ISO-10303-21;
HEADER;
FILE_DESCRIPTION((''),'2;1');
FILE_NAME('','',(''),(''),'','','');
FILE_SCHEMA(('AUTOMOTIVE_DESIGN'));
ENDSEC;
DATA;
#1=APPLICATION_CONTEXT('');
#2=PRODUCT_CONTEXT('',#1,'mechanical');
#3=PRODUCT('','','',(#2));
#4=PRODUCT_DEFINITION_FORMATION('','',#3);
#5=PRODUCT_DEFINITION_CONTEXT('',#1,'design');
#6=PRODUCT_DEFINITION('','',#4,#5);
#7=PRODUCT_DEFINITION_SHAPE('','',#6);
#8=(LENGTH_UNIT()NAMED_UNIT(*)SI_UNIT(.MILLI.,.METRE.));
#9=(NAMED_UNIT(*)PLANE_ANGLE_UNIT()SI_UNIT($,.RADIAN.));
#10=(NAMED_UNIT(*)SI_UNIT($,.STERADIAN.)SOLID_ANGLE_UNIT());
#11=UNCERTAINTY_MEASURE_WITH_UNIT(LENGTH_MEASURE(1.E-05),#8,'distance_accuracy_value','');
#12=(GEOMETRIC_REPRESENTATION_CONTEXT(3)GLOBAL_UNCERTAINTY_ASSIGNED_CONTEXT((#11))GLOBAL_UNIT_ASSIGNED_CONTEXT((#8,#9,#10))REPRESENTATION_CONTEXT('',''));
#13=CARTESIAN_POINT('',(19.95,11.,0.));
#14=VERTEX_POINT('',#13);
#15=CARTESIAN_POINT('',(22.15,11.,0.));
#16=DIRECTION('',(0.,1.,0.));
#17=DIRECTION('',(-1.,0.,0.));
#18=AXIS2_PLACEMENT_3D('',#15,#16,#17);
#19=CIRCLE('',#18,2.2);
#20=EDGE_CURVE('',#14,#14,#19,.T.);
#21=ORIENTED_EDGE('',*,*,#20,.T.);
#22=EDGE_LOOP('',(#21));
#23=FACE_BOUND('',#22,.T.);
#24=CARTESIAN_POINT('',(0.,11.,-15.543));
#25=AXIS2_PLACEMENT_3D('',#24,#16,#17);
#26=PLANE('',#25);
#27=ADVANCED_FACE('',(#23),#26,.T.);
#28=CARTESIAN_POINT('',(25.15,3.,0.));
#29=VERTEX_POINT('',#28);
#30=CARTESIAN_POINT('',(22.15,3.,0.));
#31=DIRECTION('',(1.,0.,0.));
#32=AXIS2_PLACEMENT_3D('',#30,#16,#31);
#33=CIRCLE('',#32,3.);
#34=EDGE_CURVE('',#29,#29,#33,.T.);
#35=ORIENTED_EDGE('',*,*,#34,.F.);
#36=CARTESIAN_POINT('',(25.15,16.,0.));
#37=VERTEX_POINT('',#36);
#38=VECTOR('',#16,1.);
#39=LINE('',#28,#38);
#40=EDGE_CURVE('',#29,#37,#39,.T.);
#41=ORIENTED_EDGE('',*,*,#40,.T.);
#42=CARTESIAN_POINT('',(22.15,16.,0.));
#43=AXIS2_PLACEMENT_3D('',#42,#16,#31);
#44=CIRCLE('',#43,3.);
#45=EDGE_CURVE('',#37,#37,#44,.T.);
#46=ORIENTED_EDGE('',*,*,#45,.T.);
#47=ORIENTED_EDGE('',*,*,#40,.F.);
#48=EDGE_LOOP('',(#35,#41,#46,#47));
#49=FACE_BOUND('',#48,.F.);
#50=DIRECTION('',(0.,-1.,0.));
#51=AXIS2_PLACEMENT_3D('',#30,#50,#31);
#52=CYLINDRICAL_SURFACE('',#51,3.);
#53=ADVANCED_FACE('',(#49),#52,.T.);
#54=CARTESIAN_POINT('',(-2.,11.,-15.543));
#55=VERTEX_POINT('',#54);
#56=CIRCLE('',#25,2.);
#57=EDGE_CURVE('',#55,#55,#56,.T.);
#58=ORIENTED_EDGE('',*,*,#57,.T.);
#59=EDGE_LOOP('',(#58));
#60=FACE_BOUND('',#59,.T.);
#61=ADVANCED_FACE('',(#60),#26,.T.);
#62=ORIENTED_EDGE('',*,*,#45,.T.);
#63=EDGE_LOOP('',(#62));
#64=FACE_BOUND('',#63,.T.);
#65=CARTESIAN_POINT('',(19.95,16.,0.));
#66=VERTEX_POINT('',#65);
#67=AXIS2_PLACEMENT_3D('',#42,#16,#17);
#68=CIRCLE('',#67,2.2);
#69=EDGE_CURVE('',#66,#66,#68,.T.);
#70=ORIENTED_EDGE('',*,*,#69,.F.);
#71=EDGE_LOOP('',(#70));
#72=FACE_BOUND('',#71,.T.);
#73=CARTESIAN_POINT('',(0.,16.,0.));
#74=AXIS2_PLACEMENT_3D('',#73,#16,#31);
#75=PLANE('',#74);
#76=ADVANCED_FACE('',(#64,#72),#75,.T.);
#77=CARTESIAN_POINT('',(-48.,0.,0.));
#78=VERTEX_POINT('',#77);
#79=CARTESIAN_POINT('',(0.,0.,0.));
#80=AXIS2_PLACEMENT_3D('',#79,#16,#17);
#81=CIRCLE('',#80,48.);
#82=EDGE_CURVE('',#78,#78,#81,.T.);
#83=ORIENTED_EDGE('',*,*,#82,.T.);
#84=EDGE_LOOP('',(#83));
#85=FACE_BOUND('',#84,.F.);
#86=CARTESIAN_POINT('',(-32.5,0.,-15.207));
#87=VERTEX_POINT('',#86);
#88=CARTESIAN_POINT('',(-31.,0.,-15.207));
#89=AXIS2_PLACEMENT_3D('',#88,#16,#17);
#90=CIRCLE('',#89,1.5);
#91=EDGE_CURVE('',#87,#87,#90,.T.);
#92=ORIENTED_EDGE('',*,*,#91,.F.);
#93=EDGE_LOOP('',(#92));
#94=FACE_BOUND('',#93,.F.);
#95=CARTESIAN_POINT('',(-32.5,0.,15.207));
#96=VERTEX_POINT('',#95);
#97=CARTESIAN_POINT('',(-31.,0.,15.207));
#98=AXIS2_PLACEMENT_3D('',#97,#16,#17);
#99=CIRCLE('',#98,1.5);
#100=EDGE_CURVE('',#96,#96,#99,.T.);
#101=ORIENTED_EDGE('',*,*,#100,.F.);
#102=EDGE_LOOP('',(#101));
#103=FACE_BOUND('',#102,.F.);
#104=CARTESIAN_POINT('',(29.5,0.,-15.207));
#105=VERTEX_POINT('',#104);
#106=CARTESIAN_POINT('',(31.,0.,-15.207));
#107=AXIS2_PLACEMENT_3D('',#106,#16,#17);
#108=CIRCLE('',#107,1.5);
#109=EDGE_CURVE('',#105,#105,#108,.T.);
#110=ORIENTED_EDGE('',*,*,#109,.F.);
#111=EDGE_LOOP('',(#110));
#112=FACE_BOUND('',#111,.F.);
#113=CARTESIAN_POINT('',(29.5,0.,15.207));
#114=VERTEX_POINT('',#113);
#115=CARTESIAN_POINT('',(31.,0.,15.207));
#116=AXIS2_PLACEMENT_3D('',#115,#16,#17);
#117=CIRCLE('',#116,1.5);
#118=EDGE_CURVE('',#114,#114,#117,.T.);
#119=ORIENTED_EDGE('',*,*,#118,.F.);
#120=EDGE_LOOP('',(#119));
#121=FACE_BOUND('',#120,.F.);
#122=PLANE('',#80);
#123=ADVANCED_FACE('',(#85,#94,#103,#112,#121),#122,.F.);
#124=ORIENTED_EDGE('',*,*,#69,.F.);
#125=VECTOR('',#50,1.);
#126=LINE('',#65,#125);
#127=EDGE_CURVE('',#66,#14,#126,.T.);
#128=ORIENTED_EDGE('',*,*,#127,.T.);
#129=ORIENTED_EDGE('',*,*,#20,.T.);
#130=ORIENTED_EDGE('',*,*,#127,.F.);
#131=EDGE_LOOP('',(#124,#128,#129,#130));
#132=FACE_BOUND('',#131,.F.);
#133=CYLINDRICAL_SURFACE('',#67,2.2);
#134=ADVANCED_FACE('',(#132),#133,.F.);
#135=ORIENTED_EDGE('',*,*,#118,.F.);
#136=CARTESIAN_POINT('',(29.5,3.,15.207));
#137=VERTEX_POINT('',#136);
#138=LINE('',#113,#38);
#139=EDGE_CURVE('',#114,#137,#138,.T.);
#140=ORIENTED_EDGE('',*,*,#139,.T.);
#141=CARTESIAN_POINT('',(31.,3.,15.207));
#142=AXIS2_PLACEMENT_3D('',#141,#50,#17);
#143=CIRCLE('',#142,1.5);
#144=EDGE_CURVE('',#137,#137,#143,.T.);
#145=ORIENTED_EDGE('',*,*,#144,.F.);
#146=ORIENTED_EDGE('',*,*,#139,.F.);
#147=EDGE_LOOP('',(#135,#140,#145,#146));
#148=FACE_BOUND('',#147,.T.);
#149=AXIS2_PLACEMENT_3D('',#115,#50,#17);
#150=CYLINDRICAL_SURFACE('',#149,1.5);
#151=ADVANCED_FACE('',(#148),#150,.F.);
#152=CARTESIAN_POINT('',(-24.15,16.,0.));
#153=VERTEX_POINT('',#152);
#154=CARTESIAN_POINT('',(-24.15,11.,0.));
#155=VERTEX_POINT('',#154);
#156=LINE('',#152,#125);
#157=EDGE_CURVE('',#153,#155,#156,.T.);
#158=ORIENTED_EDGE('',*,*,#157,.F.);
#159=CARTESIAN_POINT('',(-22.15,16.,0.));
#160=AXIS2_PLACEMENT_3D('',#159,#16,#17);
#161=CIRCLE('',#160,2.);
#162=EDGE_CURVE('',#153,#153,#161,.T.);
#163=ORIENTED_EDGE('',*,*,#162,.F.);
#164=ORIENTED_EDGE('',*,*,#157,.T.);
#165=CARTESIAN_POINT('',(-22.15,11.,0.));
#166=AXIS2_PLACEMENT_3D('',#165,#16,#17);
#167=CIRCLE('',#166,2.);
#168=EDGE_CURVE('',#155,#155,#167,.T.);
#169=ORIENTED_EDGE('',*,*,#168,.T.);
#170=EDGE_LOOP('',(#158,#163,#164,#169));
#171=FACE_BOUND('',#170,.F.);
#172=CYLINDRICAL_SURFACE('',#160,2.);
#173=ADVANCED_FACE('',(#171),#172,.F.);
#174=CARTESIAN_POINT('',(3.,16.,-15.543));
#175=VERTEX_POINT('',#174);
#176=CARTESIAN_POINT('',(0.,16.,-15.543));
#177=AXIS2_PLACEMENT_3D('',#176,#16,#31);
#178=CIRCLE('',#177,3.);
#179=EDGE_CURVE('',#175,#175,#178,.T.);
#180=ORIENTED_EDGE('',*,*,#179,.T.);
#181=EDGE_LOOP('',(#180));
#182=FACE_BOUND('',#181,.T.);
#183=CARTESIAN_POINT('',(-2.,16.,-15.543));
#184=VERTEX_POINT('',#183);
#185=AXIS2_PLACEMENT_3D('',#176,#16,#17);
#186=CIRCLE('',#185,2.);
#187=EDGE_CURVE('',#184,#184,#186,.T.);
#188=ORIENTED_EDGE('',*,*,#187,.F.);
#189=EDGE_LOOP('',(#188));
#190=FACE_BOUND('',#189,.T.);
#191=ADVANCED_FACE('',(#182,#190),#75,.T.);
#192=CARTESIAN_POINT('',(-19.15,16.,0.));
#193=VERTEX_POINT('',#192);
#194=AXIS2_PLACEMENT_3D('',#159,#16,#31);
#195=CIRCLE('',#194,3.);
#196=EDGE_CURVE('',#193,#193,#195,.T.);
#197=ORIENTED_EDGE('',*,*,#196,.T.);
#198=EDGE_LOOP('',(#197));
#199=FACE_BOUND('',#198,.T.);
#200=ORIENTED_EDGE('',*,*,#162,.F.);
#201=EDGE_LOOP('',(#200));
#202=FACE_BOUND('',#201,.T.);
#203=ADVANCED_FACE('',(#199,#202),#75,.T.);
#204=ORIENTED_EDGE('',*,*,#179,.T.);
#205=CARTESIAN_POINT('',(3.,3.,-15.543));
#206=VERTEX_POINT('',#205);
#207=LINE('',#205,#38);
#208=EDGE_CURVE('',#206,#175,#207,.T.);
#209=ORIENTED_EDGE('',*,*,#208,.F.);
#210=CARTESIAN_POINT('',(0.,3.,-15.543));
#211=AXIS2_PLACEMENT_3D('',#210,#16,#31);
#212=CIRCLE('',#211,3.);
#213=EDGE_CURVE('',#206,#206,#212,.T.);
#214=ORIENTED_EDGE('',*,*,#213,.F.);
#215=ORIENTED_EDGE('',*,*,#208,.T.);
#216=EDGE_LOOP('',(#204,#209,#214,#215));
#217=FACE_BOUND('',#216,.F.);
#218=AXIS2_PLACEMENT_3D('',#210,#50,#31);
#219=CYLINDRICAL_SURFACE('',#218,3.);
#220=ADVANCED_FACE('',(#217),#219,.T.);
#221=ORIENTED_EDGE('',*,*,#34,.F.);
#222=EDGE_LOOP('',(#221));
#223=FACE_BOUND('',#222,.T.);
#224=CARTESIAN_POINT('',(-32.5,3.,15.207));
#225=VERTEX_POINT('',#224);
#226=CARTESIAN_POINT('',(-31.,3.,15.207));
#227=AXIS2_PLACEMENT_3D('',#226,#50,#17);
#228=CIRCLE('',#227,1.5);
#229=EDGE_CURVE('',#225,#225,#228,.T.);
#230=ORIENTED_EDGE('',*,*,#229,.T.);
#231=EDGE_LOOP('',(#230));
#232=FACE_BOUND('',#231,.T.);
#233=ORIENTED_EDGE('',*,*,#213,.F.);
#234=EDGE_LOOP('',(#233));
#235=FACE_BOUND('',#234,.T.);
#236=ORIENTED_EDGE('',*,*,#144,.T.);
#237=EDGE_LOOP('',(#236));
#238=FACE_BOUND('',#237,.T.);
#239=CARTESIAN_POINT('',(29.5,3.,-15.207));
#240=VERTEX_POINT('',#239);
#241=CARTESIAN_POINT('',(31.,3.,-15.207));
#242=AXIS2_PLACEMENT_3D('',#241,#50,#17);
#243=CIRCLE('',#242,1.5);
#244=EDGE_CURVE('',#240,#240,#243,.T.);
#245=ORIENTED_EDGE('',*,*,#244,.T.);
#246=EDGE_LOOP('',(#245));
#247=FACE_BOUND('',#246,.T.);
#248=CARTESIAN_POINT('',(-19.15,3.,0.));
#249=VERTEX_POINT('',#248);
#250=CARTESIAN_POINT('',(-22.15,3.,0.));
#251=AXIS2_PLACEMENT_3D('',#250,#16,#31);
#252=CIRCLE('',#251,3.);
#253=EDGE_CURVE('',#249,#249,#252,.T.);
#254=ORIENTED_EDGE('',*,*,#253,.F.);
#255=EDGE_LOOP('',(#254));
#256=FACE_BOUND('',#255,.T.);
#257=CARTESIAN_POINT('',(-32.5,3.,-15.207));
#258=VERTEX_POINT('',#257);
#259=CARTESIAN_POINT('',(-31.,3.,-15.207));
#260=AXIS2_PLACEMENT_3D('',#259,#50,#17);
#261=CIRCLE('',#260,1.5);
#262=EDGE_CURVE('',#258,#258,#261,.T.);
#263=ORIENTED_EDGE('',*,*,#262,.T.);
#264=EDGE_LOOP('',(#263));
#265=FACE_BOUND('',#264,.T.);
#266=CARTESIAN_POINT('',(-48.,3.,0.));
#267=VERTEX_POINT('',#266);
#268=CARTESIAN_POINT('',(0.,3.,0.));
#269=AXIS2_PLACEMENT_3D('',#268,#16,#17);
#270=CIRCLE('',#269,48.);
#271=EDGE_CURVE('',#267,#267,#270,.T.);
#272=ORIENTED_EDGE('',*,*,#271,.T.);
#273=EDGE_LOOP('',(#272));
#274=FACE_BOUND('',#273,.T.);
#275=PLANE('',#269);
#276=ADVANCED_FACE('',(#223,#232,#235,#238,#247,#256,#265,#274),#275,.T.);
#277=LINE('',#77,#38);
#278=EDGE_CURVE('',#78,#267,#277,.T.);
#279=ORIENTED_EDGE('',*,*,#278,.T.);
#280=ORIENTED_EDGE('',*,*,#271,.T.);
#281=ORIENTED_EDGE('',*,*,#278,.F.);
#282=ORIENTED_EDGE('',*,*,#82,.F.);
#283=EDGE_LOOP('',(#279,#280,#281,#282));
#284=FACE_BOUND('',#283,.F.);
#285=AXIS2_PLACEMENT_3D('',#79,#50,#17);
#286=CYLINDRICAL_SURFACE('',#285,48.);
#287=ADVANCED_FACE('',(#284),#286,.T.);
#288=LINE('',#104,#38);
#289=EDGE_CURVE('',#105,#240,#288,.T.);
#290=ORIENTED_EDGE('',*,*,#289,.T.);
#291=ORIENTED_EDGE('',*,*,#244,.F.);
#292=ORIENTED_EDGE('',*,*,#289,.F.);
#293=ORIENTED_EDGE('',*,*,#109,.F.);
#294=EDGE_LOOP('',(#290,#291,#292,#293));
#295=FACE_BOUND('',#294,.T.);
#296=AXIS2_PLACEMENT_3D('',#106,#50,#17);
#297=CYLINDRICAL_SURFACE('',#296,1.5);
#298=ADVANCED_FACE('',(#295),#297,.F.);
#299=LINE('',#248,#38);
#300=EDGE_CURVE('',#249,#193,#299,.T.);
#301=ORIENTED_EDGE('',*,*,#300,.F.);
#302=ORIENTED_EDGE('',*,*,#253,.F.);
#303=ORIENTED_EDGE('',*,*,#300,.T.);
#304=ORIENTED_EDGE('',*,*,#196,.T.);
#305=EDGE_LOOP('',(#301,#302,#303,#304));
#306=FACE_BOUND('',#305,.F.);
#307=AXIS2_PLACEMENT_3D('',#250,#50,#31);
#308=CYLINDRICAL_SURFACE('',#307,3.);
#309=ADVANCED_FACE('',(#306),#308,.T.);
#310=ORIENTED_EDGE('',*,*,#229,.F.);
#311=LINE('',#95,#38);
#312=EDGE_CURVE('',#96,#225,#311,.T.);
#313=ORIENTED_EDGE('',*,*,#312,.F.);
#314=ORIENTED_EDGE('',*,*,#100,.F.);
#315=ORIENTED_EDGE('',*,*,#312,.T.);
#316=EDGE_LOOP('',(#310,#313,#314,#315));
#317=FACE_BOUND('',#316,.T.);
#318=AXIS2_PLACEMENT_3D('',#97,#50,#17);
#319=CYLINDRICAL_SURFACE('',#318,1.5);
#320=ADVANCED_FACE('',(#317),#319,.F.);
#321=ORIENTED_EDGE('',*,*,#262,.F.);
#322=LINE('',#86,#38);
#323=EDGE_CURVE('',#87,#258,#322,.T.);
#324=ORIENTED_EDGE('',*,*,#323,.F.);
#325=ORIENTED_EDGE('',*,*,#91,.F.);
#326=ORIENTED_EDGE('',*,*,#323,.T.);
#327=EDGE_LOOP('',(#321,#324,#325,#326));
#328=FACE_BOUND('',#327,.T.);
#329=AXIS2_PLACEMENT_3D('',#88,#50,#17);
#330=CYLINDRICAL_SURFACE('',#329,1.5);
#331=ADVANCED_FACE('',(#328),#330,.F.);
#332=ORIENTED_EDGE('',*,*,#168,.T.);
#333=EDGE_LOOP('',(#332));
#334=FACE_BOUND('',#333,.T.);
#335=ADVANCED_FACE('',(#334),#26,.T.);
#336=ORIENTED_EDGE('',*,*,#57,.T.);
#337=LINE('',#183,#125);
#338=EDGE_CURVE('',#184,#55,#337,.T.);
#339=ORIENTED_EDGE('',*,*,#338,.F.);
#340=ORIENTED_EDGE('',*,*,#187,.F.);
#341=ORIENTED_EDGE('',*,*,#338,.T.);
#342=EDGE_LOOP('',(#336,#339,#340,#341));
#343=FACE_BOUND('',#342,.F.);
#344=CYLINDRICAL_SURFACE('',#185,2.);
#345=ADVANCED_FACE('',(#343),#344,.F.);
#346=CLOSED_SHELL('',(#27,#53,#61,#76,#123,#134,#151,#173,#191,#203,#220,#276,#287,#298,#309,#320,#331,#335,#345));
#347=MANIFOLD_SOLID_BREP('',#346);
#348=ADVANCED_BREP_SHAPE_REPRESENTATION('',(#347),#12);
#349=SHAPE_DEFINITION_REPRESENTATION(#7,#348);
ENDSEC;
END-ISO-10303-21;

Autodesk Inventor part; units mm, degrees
ref_plane "YZ Plane" through (0, 0, 0) normal (1, 0, 0) x (0, 1, 0)
ref_plane "XZ Plane" through (0, 0, 0) normal (0, 1, 0) x (-1, 0, 0)
ref_plane "XY Plane" through (0, 0, 0) normal (0, 0, 1) x (1, 0, 0)
sketch "Эскиз1" plane through (0, 0, 0) normal (0, 1, 0) x (-1, 0, 0)
  circle A0 centre (0, 0) radius 48
  line L0 (31, 15.207) -> (-31, 15.207)
  line L1 (-31, 15.207) -> (-31, -15.207)
  line L2 (-31, -15.207) -> (31, -15.207)
  line L3 (31, -15.207) -> (31, 15.207)
  circle A1 centre (31, 15.207) radius 1.5
  circle A2 centre (31, -15.207) radius 1.5
  circle A3 centre (-31, 15.207) radius 1.5
  circle A4 centre (-31, -15.207) radius 1.5
  dimension "d0" = 96
  dimension "d1" = 62
  dimension "d2" = 30.414
  dimension "d3" = 31
  dimension "d4" = 15.207
  dimension "d5" = 3
  dimension "d6" = 3
  dimension "d7" = 3
  dimension "d8" = 3
extrude "Выдавливание1" add sketch "Эскиз1" along normal blind 3 contours A0 | L0 A1 L3 A2 L2 A4 L1 A3
sketch "Эскиз2" plane through (0, 3, 0) normal (0, 1, 0) x (1, 0, 0)
  circle A0 centre (0, 0) radius 27.25
  circle A1 centre (-22.15, 0) radius 3
  circle A2 centre (22.15, 0) radius 3
  circle A3 centre (0, 15.543) radius 3
  dimension "d11" = 54.5
  dimension "d12" = 6
  dimension "d13" = 6
  dimension "d14" = 44.3
  dimension "d15" = 22.15
  dimension "d16" = 6
  dimension "d17" = 15.543
extrude "Выдавливание2" add sketch "Эскиз2" along normal blind 13 contours A1 | A2 | A3
sketch "Эскиз3" plane through (0, 16, -15.543) normal (0, 1, 0) x (-1, 0, 0)
  circle A0 centre (0, 0) radius 2
  circle A1 centre (-22.15, 15.543) radius 2.2
  circle A2 centre (22.15, 15.543) radius 2
  circle A3 centre (22.15, 15.543) radius 3
  circle A4 centre (22.15, 15.543) radius 3 projected
  circle A5 centre (0, 0) radius 3
  circle A6 centre (0, 0) radius 3 projected
  circle A7 centre (-22.15, 15.543) radius 3
  circle A8 centre (-22.15, 15.543) radius 3 projected
  point P0 (0, 15.543)
  dimension "d20" = 4
  dimension "d21" = 4.4
  dimension "d22" = 4
  dimension "d23" = 6
  dimension "d24" = 6
  dimension "d25" = 6
extrude "Выдавливание3" cut sketch "Эскиз3" against normal blind 5 contours A0 | A1 | A2
properties part number "openmv"
